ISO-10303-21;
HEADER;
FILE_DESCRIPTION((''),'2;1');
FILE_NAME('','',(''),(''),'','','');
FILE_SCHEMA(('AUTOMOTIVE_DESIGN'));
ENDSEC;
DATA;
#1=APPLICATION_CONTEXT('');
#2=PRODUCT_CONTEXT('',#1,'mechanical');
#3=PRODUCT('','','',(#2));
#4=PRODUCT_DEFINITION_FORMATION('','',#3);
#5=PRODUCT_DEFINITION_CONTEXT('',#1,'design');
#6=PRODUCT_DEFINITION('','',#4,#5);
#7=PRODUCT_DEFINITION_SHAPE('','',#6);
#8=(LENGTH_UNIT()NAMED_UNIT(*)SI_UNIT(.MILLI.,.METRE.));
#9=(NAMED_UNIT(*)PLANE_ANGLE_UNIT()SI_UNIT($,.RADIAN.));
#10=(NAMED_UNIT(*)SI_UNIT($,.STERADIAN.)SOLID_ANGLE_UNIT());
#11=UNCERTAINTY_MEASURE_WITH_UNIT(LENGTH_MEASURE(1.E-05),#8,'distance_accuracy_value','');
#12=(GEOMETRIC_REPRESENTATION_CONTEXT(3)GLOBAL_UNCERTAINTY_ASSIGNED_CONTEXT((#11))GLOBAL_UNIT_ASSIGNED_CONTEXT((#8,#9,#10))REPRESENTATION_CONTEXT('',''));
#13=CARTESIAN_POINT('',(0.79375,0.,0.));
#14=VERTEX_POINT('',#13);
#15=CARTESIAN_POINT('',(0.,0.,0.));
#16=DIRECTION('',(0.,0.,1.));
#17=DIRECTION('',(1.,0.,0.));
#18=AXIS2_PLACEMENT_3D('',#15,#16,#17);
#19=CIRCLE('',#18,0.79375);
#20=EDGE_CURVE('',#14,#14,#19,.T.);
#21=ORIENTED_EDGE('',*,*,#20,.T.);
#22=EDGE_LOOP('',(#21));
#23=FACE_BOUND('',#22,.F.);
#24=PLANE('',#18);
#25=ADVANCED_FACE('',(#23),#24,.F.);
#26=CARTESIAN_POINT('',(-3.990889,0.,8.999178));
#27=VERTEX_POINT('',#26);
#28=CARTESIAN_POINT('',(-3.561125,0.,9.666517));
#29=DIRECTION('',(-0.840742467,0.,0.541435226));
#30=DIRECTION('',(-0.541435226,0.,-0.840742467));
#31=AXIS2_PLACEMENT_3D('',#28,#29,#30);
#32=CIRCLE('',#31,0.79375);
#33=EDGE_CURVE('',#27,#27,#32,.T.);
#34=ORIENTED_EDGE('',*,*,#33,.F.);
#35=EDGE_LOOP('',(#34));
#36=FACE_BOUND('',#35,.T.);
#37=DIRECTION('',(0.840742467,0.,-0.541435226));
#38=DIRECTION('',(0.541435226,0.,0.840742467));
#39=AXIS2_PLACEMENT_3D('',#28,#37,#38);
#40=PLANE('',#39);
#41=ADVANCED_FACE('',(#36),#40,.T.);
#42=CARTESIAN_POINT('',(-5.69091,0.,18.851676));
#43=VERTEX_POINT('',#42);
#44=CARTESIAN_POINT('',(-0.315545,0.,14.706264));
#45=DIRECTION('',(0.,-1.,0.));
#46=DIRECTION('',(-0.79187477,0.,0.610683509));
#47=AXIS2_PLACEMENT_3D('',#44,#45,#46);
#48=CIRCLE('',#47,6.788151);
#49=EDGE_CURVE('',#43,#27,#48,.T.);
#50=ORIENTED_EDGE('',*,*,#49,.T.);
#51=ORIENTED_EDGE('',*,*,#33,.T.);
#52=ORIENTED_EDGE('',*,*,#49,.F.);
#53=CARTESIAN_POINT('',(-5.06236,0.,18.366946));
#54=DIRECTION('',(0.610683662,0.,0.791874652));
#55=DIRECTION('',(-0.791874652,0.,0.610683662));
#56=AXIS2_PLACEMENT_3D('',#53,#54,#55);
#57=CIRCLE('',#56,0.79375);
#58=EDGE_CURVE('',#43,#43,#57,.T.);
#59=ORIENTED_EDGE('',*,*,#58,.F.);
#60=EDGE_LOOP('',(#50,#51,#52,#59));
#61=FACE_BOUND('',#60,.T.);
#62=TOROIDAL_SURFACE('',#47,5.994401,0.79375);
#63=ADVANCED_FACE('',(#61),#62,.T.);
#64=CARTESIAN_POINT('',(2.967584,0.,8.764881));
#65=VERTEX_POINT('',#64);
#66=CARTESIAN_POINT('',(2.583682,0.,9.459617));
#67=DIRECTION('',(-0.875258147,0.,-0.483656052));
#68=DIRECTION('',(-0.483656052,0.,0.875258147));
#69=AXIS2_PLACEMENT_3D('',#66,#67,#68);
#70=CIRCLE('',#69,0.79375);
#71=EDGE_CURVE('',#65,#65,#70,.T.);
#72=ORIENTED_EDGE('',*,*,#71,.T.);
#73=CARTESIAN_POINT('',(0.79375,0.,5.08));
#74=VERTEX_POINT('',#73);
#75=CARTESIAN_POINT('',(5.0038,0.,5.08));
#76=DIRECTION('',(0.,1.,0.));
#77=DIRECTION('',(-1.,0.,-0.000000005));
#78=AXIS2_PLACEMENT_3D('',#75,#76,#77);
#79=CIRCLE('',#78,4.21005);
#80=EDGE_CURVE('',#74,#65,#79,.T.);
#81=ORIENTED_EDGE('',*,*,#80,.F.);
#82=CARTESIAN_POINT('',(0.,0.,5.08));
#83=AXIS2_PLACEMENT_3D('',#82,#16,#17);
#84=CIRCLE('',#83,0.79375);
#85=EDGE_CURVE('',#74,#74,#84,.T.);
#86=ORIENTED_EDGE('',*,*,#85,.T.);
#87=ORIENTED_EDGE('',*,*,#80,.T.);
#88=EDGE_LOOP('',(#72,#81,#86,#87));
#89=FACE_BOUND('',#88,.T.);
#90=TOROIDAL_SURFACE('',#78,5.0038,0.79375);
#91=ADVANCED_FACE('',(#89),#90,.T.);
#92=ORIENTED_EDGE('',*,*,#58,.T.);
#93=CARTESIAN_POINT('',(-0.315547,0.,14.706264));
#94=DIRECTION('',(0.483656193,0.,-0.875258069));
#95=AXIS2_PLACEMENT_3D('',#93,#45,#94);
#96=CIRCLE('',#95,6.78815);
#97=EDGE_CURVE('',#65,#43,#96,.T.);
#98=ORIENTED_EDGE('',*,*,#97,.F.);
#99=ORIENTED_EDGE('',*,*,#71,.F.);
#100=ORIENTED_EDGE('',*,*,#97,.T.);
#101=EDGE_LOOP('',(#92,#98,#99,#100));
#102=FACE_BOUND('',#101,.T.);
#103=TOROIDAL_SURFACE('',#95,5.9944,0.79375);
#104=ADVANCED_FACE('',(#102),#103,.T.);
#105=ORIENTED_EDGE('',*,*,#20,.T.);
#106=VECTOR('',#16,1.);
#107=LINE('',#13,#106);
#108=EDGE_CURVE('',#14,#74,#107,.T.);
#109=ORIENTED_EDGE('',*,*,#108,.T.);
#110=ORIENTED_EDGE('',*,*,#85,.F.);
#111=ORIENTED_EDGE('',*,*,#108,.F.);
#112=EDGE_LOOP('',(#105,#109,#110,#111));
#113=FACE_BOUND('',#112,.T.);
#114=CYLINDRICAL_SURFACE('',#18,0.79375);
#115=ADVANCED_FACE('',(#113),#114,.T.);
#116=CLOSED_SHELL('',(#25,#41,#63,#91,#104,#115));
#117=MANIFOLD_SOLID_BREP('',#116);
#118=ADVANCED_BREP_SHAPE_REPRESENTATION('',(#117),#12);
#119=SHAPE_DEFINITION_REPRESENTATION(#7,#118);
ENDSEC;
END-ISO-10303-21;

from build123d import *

# Parameters (mm, degrees)
F0_R = 0.79375


with BuildPart() as f2:
    # F2: sweep along a path in F1
    with BuildLine(Plane.XZ) as f2_path:
        Line((0, 0), (0, 5.08))
        ThreePointArc((0, 5.08), (0.694055, 7.622462), (2.583682, 9.459617))
        ThreePointArc((2.583682, 9.459617), (4.232917, 18.61066), (-5.06236, 18.366946))
        ThreePointArc((-5.06236, 18.366946), (-6.222656, 13.687008), (-3.561125, 9.666517))
    # F0 (on Top) → F2 (sweep)
    with BuildSketch(Plane.XY):
        Circle(F0_R)
    sweep(path=f2_path.line)


solid = f2.part
